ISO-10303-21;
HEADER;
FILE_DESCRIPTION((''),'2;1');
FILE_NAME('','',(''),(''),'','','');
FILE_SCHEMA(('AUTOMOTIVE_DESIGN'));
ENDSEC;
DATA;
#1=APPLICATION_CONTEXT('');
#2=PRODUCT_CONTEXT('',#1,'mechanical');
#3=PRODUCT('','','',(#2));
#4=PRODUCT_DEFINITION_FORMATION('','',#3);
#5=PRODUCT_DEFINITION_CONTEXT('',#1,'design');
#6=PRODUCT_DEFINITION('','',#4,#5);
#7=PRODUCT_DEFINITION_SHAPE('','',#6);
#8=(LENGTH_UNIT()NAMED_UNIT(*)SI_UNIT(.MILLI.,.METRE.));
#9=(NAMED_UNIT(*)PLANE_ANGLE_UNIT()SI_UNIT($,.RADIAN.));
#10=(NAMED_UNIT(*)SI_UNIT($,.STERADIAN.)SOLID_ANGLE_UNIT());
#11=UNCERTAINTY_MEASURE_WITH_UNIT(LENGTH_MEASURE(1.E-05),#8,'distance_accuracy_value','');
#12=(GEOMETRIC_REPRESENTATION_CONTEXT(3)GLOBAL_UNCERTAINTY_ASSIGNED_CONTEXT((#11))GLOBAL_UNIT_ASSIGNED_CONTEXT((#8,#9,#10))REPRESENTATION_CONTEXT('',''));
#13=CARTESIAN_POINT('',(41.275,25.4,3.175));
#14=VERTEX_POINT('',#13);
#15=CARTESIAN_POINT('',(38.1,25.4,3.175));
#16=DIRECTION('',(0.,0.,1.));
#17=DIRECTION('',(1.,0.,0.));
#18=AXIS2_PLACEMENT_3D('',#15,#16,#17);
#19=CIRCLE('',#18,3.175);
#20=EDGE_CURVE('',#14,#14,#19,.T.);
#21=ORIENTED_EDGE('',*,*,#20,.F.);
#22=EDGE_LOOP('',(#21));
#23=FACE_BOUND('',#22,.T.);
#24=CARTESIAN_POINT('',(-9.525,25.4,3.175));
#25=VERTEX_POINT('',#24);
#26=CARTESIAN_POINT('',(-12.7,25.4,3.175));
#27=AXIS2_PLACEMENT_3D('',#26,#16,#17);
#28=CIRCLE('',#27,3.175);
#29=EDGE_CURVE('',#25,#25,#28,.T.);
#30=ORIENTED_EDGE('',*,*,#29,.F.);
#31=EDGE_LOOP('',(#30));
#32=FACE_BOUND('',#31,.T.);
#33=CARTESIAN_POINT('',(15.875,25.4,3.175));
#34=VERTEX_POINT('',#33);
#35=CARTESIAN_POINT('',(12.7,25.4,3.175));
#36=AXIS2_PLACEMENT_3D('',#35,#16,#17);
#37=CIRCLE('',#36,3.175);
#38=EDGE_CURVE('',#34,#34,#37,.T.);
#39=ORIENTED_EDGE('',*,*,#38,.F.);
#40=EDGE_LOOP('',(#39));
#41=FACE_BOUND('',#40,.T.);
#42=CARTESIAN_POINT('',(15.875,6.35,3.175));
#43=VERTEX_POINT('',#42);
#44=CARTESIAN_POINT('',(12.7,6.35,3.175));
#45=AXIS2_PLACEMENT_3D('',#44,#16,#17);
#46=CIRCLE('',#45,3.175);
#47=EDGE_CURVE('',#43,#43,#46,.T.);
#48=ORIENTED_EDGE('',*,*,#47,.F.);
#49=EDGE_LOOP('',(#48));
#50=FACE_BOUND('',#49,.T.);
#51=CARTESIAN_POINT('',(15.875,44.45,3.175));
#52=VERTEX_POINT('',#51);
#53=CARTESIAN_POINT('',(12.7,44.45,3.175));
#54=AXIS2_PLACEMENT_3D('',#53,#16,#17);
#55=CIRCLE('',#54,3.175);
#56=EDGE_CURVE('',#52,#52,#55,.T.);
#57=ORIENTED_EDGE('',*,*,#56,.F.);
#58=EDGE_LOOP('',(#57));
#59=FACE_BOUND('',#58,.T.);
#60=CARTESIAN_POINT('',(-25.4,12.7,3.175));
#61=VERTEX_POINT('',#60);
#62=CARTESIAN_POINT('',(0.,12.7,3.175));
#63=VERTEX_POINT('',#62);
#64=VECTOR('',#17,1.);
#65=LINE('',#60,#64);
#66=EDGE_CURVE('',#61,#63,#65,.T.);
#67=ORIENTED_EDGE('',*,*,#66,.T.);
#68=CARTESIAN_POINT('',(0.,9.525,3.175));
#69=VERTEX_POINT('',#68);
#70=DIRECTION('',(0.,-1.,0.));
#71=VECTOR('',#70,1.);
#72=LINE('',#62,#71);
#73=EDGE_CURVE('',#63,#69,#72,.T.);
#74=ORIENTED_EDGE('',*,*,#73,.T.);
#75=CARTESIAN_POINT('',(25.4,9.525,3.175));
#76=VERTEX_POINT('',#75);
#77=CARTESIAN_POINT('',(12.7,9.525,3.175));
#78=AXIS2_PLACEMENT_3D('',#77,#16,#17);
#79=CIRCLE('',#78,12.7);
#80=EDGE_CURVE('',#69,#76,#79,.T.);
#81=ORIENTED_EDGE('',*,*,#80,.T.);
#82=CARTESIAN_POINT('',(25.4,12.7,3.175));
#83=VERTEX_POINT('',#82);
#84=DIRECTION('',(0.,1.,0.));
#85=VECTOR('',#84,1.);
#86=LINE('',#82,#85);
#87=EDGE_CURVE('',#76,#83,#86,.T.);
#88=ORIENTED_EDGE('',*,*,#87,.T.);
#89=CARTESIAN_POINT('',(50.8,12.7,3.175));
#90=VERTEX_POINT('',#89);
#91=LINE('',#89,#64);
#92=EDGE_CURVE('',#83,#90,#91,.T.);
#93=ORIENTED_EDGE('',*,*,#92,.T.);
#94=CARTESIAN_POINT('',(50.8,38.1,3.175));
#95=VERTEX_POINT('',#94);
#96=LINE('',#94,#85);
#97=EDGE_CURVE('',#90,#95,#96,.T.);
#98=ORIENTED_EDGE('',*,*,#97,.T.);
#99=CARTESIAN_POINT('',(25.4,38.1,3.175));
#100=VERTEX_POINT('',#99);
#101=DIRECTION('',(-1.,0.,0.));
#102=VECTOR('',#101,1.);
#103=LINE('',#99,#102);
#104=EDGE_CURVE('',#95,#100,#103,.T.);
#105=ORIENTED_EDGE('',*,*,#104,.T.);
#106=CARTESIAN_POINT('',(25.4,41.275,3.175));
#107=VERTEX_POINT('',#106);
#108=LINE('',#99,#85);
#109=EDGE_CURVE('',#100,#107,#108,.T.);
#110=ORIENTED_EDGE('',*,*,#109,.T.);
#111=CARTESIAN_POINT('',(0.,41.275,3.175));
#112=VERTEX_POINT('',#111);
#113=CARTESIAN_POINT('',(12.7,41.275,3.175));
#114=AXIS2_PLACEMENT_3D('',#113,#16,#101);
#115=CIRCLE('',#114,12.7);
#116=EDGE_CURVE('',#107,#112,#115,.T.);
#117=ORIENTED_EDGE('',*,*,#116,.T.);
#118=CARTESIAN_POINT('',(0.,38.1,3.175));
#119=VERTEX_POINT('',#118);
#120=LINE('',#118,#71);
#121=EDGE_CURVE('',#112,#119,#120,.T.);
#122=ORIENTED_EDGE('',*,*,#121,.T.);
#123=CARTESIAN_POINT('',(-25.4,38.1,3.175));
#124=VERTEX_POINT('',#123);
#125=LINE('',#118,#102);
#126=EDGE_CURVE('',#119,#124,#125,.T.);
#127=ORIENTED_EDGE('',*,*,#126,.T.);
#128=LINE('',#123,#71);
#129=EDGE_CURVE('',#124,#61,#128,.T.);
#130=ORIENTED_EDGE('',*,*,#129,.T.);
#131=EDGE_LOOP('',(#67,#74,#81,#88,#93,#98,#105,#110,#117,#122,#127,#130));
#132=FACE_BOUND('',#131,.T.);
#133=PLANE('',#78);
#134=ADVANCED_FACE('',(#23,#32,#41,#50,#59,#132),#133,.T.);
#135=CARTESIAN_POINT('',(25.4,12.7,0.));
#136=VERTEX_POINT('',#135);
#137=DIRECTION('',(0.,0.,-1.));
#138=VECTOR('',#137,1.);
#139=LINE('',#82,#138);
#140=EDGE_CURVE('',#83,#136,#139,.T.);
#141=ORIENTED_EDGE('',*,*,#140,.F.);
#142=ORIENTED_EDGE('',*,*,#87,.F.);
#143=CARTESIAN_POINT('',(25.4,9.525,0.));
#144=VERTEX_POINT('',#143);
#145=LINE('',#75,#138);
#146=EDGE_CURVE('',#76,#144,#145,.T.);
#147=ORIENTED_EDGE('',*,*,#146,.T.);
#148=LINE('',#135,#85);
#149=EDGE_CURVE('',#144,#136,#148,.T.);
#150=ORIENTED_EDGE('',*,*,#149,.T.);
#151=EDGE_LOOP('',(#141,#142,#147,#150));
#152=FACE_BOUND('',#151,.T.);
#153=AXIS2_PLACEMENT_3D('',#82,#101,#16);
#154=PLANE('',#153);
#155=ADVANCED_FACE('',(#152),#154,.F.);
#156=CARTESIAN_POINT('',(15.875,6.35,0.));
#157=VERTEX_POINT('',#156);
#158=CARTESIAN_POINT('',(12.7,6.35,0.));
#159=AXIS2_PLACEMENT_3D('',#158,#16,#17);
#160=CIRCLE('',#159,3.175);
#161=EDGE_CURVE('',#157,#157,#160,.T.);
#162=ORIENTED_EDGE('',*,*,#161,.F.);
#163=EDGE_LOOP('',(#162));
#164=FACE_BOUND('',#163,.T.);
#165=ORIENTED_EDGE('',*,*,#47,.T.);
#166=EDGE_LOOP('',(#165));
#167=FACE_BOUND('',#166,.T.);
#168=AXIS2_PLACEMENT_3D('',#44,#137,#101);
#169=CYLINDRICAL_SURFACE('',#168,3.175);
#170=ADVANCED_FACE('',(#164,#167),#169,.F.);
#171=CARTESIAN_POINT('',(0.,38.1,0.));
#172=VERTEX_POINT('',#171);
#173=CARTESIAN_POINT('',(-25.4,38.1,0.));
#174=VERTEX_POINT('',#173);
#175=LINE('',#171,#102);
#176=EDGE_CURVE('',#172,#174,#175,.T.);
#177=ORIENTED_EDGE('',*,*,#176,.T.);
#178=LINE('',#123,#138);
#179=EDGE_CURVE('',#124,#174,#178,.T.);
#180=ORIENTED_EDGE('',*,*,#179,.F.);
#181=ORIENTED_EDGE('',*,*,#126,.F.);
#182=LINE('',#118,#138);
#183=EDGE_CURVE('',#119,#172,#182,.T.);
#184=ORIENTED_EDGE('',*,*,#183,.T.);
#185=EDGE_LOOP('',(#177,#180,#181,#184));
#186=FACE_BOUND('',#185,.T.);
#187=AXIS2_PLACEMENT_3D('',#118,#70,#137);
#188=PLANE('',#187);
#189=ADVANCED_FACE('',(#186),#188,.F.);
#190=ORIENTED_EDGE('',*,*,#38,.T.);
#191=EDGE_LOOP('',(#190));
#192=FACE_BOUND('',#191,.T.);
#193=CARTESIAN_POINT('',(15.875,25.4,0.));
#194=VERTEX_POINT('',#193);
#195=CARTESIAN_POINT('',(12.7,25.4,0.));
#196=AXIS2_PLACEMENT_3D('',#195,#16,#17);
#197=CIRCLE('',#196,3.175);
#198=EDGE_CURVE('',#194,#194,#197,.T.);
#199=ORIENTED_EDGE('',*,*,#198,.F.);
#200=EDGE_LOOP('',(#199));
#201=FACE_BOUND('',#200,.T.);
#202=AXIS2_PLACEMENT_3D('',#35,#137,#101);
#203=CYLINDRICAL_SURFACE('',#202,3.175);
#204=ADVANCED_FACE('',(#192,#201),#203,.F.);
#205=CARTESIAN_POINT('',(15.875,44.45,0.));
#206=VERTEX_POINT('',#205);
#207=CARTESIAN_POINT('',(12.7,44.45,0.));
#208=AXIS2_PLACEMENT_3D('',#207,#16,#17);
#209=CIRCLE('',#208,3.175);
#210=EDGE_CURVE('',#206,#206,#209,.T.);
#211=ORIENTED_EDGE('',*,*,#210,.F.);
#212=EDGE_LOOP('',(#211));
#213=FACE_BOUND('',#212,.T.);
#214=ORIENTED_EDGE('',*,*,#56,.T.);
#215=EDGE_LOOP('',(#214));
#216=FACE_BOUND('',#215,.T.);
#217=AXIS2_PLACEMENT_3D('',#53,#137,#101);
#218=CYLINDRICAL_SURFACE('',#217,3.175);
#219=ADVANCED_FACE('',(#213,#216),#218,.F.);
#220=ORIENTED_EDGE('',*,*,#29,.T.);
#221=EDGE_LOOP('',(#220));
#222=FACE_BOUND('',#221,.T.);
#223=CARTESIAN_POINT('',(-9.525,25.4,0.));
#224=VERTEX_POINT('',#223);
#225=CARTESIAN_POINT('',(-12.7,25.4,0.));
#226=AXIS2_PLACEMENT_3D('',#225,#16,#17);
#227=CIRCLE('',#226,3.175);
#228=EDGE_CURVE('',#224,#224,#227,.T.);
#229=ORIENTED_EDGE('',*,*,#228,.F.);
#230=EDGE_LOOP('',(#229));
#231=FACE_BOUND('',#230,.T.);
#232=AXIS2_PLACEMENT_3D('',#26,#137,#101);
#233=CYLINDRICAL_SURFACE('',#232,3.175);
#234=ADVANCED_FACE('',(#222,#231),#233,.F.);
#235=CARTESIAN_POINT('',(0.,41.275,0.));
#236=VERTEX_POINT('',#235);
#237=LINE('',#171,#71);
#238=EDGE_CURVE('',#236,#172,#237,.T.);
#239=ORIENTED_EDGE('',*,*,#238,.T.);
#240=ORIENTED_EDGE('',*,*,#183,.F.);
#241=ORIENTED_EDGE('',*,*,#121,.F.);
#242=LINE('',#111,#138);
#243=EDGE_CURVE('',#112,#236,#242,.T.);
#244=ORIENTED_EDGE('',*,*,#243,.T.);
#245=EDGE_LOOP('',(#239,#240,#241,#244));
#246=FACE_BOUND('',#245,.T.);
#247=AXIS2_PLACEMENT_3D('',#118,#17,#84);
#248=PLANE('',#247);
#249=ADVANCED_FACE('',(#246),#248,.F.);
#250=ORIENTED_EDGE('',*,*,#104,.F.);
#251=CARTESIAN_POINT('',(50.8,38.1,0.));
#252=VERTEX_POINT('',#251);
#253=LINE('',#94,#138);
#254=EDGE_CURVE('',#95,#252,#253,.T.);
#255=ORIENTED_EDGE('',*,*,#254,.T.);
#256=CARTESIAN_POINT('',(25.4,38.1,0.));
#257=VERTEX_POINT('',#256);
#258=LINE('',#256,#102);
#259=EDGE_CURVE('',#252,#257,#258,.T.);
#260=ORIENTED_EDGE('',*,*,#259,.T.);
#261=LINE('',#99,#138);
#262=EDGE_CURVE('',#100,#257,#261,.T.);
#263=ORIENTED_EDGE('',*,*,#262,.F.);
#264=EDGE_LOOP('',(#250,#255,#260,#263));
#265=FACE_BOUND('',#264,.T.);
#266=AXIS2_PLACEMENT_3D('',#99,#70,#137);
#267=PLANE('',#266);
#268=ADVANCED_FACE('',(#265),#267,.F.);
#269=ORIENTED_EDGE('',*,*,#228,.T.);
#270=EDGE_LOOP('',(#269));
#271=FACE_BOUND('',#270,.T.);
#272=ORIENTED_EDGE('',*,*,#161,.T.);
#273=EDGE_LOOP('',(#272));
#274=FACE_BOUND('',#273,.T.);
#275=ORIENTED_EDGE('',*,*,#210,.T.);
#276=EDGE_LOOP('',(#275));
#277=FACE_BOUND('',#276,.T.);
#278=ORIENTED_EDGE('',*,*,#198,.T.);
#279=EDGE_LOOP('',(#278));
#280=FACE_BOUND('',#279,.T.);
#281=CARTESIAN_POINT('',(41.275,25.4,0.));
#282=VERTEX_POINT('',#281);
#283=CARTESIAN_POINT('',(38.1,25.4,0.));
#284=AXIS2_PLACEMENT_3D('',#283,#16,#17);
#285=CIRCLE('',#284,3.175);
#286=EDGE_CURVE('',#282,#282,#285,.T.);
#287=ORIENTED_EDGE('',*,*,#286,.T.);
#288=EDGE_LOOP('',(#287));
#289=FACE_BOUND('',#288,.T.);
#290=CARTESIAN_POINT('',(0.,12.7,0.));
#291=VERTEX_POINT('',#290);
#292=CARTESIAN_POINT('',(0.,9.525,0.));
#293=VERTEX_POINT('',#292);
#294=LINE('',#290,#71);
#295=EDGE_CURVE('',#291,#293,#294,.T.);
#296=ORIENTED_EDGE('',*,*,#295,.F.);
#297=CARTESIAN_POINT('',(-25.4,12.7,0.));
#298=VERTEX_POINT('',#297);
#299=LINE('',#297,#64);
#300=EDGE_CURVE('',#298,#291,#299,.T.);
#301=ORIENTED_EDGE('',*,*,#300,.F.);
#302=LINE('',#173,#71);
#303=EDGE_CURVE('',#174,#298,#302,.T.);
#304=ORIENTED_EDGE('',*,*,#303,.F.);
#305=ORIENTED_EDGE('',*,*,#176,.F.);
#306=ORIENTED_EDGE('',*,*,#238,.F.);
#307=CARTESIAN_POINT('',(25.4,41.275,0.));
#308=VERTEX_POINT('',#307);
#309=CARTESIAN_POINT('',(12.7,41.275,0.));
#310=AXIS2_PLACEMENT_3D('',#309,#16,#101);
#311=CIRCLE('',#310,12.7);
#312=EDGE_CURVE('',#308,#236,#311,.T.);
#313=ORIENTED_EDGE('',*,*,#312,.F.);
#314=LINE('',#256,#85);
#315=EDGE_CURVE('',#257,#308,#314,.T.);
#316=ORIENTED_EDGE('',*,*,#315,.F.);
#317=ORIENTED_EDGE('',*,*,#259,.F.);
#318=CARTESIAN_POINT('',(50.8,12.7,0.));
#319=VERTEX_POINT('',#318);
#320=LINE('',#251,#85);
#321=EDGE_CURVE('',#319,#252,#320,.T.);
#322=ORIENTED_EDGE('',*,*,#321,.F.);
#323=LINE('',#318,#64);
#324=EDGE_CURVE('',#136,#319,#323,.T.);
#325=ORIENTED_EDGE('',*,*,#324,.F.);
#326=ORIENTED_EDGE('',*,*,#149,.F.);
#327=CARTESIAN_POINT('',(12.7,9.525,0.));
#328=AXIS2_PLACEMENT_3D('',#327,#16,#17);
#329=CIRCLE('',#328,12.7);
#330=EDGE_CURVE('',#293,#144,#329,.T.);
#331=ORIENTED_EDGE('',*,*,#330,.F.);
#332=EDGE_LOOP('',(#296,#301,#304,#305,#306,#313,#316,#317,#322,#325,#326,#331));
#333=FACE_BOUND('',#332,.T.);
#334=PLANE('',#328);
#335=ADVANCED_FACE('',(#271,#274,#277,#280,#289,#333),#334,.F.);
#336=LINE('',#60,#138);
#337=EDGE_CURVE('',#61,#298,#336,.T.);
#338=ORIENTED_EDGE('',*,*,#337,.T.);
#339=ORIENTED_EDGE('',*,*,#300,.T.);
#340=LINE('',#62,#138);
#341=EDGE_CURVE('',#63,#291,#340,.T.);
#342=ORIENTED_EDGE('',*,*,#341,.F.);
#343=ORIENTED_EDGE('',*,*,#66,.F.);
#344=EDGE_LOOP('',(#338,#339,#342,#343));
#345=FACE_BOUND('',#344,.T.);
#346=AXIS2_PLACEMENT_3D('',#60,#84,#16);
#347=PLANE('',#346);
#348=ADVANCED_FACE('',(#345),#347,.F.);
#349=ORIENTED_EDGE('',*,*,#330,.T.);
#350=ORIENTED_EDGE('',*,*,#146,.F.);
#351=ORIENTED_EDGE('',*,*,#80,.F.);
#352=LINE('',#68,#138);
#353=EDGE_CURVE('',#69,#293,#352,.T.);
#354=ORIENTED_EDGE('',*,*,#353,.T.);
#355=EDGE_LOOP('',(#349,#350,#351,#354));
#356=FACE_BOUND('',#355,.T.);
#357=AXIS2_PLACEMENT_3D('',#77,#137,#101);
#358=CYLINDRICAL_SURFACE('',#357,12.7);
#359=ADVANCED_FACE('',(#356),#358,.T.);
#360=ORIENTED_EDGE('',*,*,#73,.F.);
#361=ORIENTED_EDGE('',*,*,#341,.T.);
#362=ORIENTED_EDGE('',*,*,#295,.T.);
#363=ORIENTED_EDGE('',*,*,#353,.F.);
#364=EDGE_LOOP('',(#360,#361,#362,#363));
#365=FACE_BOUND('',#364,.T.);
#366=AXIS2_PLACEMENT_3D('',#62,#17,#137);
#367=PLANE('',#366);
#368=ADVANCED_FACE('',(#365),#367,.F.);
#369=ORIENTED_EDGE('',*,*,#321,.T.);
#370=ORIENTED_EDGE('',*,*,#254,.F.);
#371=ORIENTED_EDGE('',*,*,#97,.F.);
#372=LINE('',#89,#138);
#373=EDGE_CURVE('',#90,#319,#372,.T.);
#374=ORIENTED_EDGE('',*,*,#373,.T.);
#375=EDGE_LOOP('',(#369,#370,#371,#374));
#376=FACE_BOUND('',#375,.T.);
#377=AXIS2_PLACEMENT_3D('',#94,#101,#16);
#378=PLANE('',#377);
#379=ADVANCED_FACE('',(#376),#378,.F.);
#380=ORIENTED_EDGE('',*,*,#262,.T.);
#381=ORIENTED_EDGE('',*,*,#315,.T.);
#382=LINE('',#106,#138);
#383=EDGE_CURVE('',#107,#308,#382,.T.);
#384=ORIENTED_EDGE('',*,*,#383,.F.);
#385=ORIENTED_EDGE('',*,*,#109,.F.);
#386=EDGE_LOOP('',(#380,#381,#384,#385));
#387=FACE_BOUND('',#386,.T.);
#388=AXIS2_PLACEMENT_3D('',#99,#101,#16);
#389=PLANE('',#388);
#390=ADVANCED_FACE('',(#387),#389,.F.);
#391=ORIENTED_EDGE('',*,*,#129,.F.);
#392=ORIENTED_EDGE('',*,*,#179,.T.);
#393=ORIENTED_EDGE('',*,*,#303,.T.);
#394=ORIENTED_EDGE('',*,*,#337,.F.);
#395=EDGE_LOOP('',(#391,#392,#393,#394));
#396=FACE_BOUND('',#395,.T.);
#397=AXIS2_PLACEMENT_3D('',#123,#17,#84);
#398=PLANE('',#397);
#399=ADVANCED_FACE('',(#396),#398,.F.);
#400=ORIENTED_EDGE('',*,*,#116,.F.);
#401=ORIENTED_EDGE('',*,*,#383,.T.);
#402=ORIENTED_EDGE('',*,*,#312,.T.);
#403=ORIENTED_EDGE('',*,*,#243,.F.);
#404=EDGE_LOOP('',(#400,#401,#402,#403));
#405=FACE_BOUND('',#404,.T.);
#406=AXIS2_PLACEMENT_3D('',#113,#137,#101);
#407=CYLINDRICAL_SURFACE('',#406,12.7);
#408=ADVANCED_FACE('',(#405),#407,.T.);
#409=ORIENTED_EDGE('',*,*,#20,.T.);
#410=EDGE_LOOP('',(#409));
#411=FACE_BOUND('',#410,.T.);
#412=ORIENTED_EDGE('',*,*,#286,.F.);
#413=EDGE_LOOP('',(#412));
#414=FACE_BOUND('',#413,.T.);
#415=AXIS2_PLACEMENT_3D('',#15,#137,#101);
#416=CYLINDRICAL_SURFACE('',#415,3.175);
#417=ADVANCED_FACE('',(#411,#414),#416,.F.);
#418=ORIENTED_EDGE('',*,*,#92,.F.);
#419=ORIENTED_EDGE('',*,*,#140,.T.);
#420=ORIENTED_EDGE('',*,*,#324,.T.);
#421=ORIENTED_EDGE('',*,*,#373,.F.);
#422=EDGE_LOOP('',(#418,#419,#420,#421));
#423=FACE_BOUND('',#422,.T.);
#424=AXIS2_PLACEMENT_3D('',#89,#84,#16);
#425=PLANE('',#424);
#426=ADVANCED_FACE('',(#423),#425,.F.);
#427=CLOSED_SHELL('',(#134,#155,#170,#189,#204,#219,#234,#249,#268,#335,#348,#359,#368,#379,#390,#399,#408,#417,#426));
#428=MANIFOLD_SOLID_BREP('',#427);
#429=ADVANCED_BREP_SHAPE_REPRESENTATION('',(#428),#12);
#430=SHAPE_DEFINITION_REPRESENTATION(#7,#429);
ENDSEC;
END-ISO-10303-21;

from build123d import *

# Parameters (mm, degrees)
SKETCH1_R           = 3.175
BOSS_EXTRUDE1_DEPTH = 3.175


with BuildPart() as part:
    # Sketch1 → Boss-Extrude1 (new body)
    with BuildSketch(Plane.XY):
        with BuildLine():
            Line((0, 38.1), (-25.4, 38.1))
            Line((-25.4, 38.1), (-25.4, 12.7))
            Line((-25.4, 12.7), (0, 12.7))
            Line((0, 12.7), (0, 9.525))
            ThreePointArc((0, 9.525), (12.7, -3.175), (25.4, 9.525))
            Line((25.4, 9.525), (25.4, 12.7))
            Line((25.4, 12.7), (50.8, 12.7))
            Line((50.8, 12.7), (50.8, 38.1))
            Line((50.8, 38.1), (25.4, 38.1))
            Line((25.4, 38.1), (25.4, 41.275))
            ThreePointArc((25.4, 41.275), (12.7, 53.975), (0, 41.275))
            Line((0, 41.275), (0, 38.1))
        make_face()
        with Locations((12.7, 44.45)):
            Circle(SKETCH1_R, mode=Mode.SUBTRACT)
        with Locations((12.7, 6.35)):
            Circle(SKETCH1_R, mode=Mode.SUBTRACT)
        with Locations((12.7, 25.4)):
            Circle(SKETCH1_R, mode=Mode.SUBTRACT)
        with Locations((38.1, 25.4)):
            Circle(SKETCH1_R, mode=Mode.SUBTRACT)
        with Locations((-12.7, 25.4)):
            Circle(SKETCH1_R, mode=Mode.SUBTRACT)
    extrude(amount=BOSS_EXTRUDE1_DEPTH)


solid = part.part
